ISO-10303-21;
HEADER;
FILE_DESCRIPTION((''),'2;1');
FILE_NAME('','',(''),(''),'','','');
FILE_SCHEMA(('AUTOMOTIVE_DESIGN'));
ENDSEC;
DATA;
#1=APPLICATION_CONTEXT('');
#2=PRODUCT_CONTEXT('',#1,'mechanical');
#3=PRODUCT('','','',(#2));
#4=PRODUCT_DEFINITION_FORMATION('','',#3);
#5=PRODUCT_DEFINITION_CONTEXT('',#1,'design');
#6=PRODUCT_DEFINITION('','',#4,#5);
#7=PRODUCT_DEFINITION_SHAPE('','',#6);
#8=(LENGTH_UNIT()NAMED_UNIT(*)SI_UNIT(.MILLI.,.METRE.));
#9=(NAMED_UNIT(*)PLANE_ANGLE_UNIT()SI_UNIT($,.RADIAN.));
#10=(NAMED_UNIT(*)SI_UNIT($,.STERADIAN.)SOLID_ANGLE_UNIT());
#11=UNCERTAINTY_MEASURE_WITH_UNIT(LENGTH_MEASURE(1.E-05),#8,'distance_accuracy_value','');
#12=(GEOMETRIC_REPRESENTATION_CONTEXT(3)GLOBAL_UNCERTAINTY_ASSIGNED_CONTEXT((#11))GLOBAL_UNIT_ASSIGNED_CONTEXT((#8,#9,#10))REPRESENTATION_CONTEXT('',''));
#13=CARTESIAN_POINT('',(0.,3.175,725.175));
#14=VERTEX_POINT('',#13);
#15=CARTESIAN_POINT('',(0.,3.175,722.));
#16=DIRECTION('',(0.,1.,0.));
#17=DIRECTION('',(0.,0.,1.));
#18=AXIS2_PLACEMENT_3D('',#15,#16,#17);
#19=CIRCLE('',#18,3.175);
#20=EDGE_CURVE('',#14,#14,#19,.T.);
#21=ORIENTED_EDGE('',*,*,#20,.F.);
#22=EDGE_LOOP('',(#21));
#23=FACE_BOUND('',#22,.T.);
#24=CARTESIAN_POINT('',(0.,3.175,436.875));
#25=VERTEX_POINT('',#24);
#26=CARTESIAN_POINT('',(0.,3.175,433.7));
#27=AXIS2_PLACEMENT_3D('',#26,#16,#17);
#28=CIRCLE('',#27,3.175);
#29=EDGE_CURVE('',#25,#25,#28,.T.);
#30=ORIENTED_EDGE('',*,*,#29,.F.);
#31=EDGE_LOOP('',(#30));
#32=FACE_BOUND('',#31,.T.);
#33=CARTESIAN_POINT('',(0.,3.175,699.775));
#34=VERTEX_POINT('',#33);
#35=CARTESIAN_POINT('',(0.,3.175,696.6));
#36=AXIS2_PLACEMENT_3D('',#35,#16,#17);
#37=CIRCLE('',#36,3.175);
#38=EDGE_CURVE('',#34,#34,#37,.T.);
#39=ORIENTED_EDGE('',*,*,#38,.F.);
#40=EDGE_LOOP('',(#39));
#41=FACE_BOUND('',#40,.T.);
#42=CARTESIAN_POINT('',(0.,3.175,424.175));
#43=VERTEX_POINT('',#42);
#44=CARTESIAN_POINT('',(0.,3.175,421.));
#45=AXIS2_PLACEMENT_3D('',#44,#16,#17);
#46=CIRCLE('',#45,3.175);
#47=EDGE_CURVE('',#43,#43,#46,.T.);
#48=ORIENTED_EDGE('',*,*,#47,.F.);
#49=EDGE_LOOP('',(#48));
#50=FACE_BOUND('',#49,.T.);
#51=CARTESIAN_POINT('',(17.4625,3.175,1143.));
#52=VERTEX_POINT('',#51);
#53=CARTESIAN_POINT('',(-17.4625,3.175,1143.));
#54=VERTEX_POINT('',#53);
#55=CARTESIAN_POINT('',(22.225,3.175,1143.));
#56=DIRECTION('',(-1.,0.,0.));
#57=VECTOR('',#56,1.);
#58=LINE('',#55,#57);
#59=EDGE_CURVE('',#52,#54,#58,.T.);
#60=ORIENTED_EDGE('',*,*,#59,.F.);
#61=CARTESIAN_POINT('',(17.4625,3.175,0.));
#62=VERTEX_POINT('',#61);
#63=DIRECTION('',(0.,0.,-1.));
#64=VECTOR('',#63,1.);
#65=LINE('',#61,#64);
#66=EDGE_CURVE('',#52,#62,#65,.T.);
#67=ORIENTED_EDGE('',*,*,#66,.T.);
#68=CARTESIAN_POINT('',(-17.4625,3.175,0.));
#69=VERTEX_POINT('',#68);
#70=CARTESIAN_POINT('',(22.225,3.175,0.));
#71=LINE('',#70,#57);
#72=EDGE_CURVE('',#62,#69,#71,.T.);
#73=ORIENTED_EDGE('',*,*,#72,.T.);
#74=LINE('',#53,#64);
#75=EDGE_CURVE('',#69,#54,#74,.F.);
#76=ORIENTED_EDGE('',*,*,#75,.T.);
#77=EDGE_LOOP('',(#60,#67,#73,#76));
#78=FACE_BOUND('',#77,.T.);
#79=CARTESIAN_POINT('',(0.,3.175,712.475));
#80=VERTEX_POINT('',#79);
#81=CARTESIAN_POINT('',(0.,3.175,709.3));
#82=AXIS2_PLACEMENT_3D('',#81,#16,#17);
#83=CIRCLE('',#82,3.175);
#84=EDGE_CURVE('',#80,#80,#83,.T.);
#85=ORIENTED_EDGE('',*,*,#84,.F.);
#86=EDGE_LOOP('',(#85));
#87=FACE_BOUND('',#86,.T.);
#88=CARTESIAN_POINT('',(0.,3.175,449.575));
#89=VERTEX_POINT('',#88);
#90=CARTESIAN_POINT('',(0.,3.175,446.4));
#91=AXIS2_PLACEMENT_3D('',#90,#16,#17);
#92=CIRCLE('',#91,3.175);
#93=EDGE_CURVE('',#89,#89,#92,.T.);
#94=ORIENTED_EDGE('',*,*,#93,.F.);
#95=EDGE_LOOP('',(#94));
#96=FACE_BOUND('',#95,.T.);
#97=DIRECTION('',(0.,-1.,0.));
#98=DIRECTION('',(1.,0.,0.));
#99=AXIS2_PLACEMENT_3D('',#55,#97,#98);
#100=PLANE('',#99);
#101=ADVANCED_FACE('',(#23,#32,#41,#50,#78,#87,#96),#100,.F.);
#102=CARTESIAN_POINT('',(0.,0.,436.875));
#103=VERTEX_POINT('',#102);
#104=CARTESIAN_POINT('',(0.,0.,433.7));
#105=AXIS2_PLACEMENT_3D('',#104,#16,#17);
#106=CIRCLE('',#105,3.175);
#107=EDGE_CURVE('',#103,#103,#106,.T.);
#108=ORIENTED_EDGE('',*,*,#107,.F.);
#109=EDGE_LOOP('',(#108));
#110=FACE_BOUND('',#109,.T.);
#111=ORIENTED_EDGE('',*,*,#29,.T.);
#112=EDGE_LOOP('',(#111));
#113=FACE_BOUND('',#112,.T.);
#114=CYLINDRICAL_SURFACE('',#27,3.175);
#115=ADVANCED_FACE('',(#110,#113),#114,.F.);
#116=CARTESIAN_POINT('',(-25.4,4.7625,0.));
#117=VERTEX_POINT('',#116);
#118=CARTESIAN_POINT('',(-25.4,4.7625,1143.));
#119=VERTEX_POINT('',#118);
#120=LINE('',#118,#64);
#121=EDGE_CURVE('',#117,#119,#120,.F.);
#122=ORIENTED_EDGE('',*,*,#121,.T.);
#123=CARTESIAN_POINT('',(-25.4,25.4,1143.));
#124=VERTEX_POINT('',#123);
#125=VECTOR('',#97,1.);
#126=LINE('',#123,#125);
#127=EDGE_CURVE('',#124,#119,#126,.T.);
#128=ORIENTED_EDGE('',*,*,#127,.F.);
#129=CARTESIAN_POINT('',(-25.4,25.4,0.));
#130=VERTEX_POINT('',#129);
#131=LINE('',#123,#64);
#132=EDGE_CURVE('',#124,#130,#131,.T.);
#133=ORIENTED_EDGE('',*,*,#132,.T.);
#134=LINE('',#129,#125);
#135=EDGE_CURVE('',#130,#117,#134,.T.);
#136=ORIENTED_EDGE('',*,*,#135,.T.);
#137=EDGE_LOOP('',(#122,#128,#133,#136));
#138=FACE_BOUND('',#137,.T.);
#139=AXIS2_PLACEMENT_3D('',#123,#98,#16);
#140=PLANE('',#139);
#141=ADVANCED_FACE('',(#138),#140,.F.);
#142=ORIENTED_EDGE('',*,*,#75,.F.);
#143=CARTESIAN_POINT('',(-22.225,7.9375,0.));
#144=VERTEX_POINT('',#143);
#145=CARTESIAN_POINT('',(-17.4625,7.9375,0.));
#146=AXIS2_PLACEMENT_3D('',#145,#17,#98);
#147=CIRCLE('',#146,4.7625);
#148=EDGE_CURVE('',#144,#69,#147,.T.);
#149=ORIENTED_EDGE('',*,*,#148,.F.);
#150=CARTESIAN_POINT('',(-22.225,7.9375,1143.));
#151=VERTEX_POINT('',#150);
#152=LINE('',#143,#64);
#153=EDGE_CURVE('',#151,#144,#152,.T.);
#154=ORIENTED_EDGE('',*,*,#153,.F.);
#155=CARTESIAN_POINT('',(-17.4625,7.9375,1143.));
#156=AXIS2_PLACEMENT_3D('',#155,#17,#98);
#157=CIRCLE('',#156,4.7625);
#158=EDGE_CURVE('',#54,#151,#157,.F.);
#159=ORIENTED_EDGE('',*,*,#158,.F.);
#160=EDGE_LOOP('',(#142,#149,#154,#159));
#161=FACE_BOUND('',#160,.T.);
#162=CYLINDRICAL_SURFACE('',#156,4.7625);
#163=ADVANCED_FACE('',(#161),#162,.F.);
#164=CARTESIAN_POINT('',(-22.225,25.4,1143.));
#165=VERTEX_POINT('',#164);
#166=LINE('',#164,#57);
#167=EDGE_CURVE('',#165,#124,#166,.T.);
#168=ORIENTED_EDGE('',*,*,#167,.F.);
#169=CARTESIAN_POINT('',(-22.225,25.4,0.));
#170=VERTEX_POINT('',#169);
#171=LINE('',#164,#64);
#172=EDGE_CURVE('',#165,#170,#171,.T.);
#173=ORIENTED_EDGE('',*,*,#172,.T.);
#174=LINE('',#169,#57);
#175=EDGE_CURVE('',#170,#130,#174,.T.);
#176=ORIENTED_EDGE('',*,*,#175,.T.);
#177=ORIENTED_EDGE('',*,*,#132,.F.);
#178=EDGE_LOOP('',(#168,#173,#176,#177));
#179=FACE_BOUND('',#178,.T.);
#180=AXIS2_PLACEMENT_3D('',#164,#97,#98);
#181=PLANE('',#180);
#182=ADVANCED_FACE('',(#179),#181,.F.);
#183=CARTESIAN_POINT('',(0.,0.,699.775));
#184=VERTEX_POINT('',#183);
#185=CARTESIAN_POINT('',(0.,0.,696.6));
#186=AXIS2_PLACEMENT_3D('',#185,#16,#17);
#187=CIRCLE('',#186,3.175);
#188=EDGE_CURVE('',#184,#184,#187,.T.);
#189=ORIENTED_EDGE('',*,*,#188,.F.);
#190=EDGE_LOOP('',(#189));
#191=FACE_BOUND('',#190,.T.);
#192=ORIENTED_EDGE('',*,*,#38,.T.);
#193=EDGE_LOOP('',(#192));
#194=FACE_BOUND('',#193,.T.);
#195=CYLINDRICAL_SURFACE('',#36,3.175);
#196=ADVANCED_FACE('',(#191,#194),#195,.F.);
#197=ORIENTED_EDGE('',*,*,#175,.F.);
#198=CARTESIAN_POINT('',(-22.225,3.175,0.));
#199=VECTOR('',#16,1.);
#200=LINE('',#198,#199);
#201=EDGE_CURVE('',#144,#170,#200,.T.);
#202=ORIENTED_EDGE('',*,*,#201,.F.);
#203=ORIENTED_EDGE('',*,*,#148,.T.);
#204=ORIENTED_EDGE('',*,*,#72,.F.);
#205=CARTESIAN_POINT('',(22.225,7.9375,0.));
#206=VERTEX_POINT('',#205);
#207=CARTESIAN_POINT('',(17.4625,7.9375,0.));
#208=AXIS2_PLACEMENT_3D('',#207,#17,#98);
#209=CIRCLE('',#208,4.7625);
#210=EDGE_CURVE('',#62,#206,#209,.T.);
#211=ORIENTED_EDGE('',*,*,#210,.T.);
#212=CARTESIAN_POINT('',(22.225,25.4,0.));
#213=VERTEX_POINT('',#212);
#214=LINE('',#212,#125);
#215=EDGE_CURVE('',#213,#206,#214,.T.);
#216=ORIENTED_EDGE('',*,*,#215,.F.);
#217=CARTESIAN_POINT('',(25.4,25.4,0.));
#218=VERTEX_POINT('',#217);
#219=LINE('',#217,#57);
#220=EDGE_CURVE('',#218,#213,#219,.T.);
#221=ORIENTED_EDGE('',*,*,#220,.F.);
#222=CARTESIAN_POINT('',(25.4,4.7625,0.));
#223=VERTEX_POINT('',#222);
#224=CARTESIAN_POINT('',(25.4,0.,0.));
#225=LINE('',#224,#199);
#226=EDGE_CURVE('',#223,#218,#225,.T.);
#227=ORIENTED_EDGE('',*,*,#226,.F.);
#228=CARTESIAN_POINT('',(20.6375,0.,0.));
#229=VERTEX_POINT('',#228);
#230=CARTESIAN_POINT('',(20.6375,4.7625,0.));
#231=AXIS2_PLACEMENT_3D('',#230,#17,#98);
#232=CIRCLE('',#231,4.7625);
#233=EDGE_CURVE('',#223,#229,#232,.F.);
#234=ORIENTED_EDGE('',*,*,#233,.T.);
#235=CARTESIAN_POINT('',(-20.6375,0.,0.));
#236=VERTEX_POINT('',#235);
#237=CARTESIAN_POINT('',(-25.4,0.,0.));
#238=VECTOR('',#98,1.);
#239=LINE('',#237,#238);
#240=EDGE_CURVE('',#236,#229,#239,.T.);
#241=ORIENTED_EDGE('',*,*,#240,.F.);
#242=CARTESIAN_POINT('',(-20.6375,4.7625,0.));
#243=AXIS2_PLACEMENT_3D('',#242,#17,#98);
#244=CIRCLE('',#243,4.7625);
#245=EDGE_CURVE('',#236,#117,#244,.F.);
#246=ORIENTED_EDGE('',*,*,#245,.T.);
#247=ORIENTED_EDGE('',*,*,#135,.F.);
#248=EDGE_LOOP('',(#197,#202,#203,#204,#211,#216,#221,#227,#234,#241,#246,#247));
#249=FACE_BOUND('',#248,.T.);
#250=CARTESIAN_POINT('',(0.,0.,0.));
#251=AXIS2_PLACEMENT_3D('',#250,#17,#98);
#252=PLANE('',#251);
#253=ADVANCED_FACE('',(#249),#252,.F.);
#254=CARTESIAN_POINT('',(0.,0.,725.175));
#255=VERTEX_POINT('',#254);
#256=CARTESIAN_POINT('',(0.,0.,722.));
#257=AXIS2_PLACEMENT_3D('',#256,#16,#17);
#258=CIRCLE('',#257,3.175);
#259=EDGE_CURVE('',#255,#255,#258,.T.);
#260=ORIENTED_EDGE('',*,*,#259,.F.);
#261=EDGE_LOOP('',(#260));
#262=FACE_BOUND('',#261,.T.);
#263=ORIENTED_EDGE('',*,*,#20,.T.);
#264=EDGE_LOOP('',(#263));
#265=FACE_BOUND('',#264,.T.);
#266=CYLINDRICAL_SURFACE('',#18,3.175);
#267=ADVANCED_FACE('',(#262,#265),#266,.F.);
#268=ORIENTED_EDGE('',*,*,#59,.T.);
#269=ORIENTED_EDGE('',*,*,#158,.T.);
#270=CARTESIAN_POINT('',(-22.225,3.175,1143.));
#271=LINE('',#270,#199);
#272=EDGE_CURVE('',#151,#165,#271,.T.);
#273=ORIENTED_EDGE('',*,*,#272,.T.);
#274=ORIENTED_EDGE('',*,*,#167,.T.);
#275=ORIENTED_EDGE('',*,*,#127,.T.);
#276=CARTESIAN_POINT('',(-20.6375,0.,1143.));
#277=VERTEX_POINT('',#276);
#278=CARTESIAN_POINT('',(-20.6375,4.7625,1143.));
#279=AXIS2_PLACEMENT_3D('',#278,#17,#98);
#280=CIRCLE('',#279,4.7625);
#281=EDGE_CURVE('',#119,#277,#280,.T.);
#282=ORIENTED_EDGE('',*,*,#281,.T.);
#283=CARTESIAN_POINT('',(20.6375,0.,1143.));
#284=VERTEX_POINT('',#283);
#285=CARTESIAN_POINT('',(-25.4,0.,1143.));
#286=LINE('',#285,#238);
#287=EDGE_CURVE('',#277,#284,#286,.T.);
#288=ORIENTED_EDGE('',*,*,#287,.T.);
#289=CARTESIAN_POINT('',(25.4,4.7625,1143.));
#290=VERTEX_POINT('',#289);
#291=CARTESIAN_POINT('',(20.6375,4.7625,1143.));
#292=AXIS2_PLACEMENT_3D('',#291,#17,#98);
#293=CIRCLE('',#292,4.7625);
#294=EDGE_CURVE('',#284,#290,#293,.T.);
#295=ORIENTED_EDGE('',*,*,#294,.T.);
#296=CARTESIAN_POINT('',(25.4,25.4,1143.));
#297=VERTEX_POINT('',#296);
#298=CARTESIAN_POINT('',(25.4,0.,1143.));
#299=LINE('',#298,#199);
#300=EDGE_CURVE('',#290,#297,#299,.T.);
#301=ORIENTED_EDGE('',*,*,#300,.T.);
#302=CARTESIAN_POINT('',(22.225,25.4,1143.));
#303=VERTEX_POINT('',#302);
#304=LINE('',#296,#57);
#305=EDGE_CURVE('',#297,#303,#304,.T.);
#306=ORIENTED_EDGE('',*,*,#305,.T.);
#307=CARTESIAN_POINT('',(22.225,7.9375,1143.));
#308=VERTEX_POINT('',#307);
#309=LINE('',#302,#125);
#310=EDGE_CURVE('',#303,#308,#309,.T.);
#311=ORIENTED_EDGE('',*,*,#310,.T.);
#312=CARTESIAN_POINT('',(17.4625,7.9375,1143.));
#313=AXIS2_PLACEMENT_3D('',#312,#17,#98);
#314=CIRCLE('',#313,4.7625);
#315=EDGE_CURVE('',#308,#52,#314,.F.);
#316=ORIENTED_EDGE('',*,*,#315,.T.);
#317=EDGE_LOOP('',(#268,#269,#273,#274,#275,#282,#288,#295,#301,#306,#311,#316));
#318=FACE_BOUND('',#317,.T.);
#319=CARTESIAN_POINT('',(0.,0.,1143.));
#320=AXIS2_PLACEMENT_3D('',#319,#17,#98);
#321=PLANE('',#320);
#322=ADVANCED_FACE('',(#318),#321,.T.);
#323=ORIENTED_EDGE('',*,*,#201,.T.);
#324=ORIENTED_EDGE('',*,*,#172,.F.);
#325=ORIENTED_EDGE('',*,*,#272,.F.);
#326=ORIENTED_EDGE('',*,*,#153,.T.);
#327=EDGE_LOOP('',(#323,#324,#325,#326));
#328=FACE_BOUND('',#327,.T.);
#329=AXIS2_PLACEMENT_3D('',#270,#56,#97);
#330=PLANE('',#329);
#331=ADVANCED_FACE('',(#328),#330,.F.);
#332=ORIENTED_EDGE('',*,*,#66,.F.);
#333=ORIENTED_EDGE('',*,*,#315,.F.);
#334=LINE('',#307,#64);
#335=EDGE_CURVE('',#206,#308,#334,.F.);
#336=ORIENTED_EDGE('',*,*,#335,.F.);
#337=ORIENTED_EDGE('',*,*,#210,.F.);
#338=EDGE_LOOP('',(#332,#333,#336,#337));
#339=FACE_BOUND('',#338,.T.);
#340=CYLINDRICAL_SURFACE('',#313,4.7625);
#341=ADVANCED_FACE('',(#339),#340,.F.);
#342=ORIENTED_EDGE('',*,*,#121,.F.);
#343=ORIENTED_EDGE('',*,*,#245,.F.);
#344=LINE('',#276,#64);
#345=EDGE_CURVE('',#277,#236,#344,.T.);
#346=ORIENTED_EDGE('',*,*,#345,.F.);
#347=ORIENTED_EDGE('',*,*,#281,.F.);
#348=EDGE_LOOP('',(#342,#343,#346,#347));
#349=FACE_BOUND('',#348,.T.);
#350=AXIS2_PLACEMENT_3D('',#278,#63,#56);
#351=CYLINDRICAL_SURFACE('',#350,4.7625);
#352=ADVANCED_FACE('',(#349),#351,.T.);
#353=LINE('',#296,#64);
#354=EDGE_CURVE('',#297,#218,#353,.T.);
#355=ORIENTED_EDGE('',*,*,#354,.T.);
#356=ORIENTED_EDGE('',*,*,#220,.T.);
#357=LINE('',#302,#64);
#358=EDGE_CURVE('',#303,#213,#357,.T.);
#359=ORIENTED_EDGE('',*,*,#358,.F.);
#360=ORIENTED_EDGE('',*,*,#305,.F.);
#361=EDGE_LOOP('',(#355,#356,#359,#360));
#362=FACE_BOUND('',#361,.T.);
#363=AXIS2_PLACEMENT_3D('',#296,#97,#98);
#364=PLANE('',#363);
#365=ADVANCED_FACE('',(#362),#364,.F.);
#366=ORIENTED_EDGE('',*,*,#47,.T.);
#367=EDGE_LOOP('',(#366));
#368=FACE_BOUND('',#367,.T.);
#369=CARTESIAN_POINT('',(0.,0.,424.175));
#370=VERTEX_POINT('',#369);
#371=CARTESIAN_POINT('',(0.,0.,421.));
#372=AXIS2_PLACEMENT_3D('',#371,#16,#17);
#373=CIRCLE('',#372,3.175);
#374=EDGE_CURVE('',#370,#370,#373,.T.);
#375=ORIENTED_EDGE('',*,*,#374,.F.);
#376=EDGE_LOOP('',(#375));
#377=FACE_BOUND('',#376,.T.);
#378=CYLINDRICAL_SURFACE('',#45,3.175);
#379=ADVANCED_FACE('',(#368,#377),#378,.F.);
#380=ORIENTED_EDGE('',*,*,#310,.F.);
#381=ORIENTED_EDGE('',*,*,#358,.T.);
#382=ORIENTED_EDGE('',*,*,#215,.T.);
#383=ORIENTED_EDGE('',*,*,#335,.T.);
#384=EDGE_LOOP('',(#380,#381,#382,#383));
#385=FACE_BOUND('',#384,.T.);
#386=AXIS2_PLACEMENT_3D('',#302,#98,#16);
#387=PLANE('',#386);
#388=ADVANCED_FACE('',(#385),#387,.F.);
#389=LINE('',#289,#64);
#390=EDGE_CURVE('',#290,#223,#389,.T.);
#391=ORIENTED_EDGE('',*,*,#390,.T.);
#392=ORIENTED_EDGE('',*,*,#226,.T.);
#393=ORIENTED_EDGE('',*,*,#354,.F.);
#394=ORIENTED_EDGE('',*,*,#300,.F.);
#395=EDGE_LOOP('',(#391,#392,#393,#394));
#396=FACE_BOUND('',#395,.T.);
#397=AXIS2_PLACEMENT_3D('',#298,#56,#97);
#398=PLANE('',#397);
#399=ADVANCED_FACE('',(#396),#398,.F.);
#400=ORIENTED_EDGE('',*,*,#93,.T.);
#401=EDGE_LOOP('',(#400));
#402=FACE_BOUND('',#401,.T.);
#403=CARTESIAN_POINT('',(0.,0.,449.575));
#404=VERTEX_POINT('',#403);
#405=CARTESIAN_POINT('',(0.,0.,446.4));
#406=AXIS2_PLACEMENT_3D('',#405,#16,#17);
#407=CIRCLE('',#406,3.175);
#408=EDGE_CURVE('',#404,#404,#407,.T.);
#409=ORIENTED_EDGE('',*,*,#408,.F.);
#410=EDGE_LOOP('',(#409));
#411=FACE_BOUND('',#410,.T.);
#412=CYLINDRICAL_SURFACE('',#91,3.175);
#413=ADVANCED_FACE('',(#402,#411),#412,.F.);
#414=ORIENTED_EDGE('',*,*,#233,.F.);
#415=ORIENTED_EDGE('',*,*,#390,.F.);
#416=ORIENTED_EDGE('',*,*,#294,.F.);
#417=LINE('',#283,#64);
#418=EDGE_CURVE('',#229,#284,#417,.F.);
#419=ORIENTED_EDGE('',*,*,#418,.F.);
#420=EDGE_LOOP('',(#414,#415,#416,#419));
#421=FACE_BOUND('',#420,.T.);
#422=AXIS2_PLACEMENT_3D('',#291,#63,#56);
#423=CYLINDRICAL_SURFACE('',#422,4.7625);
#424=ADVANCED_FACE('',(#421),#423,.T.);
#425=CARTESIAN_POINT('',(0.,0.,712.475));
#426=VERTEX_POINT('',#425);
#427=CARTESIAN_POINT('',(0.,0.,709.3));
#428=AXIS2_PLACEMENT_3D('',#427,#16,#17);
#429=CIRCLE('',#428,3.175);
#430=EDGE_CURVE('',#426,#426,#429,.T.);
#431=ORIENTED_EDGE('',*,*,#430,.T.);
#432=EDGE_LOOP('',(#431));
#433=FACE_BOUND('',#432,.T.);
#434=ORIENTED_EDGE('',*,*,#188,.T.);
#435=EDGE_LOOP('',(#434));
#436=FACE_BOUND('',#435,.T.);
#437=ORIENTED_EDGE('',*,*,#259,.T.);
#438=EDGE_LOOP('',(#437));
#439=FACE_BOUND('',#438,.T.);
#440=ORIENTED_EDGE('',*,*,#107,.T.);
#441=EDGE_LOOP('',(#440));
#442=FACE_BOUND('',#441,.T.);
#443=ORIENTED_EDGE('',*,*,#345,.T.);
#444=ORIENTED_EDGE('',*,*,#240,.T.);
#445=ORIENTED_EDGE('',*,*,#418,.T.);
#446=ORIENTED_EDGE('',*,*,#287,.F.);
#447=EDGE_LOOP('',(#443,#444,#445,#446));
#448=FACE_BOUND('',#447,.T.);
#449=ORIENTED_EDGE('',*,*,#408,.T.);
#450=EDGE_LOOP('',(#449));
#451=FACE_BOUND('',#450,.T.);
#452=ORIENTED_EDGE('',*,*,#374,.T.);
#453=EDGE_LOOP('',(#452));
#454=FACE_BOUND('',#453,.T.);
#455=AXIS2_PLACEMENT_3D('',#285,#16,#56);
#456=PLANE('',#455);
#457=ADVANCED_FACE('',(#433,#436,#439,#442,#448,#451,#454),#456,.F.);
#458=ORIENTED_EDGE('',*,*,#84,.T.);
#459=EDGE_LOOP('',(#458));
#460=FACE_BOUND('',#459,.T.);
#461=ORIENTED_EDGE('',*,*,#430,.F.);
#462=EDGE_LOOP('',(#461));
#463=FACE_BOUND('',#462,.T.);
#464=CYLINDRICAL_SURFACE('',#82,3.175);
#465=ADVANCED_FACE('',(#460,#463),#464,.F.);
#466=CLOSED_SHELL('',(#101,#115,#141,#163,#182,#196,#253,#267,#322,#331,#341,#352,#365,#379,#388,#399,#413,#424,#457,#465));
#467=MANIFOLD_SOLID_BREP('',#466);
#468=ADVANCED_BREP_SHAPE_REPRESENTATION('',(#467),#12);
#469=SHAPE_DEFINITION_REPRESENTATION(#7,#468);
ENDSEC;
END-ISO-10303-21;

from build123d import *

# Parameters (mm, degrees)
BOSS_EXTRUDE1_DEPTH         = 1143
FILLET1_R                   = 4.7625
FILLET2_R                   = 4.7625
F_1_4_0_25_DIAMETER_HOLE1_D = 6.35


with BuildPart() as part:
    # Sketch1 → Boss-Extrude1 (new body)
    with BuildSketch(Plane.XY):
        Polygon((-25.4, 25.4), (-25.4, 0), (25.4, 0), (25.4, 25.4), (22.225, 25.4), (22.225, 3.175), (-22.225, 3.175), (-22.225, 25.4), align=None)
    extrude(amount=BOSS_EXTRUDE1_DEPTH)

    # Fillet1
    fillet1_edges = [part.edges().sort_by_distance(p)[0] for p in [
        (-22.225, 3.175, 571.5),
        (22.225, 3.175, 571.5),
    ]]
    fillet(fillet1_edges, radius=FILLET1_R)

    # Fillet2
    fillet2_edges = [part.edges().sort_by_distance(p)[0] for p in [
        (25.4, 0, 571.5),
        (-25.4, 0, 571.5),
    ]]
    fillet(fillet2_edges, radius=FILLET2_R)

    # 1/4 (0.25) Diameter Hole1 (through all)
    with Locations(Plane(origin=(0, 3.175, 0), x_dir=(1, 0, 0), z_dir=(0, 1, 0))):
        with Locations((0, -722), (0, -709.3), (0, -696.6), (0, -446.4), (0, -433.7), (0, -421)):
            Hole(F_1_4_0_25_DIAMETER_HOLE1_D / 2)


solid = part.part
